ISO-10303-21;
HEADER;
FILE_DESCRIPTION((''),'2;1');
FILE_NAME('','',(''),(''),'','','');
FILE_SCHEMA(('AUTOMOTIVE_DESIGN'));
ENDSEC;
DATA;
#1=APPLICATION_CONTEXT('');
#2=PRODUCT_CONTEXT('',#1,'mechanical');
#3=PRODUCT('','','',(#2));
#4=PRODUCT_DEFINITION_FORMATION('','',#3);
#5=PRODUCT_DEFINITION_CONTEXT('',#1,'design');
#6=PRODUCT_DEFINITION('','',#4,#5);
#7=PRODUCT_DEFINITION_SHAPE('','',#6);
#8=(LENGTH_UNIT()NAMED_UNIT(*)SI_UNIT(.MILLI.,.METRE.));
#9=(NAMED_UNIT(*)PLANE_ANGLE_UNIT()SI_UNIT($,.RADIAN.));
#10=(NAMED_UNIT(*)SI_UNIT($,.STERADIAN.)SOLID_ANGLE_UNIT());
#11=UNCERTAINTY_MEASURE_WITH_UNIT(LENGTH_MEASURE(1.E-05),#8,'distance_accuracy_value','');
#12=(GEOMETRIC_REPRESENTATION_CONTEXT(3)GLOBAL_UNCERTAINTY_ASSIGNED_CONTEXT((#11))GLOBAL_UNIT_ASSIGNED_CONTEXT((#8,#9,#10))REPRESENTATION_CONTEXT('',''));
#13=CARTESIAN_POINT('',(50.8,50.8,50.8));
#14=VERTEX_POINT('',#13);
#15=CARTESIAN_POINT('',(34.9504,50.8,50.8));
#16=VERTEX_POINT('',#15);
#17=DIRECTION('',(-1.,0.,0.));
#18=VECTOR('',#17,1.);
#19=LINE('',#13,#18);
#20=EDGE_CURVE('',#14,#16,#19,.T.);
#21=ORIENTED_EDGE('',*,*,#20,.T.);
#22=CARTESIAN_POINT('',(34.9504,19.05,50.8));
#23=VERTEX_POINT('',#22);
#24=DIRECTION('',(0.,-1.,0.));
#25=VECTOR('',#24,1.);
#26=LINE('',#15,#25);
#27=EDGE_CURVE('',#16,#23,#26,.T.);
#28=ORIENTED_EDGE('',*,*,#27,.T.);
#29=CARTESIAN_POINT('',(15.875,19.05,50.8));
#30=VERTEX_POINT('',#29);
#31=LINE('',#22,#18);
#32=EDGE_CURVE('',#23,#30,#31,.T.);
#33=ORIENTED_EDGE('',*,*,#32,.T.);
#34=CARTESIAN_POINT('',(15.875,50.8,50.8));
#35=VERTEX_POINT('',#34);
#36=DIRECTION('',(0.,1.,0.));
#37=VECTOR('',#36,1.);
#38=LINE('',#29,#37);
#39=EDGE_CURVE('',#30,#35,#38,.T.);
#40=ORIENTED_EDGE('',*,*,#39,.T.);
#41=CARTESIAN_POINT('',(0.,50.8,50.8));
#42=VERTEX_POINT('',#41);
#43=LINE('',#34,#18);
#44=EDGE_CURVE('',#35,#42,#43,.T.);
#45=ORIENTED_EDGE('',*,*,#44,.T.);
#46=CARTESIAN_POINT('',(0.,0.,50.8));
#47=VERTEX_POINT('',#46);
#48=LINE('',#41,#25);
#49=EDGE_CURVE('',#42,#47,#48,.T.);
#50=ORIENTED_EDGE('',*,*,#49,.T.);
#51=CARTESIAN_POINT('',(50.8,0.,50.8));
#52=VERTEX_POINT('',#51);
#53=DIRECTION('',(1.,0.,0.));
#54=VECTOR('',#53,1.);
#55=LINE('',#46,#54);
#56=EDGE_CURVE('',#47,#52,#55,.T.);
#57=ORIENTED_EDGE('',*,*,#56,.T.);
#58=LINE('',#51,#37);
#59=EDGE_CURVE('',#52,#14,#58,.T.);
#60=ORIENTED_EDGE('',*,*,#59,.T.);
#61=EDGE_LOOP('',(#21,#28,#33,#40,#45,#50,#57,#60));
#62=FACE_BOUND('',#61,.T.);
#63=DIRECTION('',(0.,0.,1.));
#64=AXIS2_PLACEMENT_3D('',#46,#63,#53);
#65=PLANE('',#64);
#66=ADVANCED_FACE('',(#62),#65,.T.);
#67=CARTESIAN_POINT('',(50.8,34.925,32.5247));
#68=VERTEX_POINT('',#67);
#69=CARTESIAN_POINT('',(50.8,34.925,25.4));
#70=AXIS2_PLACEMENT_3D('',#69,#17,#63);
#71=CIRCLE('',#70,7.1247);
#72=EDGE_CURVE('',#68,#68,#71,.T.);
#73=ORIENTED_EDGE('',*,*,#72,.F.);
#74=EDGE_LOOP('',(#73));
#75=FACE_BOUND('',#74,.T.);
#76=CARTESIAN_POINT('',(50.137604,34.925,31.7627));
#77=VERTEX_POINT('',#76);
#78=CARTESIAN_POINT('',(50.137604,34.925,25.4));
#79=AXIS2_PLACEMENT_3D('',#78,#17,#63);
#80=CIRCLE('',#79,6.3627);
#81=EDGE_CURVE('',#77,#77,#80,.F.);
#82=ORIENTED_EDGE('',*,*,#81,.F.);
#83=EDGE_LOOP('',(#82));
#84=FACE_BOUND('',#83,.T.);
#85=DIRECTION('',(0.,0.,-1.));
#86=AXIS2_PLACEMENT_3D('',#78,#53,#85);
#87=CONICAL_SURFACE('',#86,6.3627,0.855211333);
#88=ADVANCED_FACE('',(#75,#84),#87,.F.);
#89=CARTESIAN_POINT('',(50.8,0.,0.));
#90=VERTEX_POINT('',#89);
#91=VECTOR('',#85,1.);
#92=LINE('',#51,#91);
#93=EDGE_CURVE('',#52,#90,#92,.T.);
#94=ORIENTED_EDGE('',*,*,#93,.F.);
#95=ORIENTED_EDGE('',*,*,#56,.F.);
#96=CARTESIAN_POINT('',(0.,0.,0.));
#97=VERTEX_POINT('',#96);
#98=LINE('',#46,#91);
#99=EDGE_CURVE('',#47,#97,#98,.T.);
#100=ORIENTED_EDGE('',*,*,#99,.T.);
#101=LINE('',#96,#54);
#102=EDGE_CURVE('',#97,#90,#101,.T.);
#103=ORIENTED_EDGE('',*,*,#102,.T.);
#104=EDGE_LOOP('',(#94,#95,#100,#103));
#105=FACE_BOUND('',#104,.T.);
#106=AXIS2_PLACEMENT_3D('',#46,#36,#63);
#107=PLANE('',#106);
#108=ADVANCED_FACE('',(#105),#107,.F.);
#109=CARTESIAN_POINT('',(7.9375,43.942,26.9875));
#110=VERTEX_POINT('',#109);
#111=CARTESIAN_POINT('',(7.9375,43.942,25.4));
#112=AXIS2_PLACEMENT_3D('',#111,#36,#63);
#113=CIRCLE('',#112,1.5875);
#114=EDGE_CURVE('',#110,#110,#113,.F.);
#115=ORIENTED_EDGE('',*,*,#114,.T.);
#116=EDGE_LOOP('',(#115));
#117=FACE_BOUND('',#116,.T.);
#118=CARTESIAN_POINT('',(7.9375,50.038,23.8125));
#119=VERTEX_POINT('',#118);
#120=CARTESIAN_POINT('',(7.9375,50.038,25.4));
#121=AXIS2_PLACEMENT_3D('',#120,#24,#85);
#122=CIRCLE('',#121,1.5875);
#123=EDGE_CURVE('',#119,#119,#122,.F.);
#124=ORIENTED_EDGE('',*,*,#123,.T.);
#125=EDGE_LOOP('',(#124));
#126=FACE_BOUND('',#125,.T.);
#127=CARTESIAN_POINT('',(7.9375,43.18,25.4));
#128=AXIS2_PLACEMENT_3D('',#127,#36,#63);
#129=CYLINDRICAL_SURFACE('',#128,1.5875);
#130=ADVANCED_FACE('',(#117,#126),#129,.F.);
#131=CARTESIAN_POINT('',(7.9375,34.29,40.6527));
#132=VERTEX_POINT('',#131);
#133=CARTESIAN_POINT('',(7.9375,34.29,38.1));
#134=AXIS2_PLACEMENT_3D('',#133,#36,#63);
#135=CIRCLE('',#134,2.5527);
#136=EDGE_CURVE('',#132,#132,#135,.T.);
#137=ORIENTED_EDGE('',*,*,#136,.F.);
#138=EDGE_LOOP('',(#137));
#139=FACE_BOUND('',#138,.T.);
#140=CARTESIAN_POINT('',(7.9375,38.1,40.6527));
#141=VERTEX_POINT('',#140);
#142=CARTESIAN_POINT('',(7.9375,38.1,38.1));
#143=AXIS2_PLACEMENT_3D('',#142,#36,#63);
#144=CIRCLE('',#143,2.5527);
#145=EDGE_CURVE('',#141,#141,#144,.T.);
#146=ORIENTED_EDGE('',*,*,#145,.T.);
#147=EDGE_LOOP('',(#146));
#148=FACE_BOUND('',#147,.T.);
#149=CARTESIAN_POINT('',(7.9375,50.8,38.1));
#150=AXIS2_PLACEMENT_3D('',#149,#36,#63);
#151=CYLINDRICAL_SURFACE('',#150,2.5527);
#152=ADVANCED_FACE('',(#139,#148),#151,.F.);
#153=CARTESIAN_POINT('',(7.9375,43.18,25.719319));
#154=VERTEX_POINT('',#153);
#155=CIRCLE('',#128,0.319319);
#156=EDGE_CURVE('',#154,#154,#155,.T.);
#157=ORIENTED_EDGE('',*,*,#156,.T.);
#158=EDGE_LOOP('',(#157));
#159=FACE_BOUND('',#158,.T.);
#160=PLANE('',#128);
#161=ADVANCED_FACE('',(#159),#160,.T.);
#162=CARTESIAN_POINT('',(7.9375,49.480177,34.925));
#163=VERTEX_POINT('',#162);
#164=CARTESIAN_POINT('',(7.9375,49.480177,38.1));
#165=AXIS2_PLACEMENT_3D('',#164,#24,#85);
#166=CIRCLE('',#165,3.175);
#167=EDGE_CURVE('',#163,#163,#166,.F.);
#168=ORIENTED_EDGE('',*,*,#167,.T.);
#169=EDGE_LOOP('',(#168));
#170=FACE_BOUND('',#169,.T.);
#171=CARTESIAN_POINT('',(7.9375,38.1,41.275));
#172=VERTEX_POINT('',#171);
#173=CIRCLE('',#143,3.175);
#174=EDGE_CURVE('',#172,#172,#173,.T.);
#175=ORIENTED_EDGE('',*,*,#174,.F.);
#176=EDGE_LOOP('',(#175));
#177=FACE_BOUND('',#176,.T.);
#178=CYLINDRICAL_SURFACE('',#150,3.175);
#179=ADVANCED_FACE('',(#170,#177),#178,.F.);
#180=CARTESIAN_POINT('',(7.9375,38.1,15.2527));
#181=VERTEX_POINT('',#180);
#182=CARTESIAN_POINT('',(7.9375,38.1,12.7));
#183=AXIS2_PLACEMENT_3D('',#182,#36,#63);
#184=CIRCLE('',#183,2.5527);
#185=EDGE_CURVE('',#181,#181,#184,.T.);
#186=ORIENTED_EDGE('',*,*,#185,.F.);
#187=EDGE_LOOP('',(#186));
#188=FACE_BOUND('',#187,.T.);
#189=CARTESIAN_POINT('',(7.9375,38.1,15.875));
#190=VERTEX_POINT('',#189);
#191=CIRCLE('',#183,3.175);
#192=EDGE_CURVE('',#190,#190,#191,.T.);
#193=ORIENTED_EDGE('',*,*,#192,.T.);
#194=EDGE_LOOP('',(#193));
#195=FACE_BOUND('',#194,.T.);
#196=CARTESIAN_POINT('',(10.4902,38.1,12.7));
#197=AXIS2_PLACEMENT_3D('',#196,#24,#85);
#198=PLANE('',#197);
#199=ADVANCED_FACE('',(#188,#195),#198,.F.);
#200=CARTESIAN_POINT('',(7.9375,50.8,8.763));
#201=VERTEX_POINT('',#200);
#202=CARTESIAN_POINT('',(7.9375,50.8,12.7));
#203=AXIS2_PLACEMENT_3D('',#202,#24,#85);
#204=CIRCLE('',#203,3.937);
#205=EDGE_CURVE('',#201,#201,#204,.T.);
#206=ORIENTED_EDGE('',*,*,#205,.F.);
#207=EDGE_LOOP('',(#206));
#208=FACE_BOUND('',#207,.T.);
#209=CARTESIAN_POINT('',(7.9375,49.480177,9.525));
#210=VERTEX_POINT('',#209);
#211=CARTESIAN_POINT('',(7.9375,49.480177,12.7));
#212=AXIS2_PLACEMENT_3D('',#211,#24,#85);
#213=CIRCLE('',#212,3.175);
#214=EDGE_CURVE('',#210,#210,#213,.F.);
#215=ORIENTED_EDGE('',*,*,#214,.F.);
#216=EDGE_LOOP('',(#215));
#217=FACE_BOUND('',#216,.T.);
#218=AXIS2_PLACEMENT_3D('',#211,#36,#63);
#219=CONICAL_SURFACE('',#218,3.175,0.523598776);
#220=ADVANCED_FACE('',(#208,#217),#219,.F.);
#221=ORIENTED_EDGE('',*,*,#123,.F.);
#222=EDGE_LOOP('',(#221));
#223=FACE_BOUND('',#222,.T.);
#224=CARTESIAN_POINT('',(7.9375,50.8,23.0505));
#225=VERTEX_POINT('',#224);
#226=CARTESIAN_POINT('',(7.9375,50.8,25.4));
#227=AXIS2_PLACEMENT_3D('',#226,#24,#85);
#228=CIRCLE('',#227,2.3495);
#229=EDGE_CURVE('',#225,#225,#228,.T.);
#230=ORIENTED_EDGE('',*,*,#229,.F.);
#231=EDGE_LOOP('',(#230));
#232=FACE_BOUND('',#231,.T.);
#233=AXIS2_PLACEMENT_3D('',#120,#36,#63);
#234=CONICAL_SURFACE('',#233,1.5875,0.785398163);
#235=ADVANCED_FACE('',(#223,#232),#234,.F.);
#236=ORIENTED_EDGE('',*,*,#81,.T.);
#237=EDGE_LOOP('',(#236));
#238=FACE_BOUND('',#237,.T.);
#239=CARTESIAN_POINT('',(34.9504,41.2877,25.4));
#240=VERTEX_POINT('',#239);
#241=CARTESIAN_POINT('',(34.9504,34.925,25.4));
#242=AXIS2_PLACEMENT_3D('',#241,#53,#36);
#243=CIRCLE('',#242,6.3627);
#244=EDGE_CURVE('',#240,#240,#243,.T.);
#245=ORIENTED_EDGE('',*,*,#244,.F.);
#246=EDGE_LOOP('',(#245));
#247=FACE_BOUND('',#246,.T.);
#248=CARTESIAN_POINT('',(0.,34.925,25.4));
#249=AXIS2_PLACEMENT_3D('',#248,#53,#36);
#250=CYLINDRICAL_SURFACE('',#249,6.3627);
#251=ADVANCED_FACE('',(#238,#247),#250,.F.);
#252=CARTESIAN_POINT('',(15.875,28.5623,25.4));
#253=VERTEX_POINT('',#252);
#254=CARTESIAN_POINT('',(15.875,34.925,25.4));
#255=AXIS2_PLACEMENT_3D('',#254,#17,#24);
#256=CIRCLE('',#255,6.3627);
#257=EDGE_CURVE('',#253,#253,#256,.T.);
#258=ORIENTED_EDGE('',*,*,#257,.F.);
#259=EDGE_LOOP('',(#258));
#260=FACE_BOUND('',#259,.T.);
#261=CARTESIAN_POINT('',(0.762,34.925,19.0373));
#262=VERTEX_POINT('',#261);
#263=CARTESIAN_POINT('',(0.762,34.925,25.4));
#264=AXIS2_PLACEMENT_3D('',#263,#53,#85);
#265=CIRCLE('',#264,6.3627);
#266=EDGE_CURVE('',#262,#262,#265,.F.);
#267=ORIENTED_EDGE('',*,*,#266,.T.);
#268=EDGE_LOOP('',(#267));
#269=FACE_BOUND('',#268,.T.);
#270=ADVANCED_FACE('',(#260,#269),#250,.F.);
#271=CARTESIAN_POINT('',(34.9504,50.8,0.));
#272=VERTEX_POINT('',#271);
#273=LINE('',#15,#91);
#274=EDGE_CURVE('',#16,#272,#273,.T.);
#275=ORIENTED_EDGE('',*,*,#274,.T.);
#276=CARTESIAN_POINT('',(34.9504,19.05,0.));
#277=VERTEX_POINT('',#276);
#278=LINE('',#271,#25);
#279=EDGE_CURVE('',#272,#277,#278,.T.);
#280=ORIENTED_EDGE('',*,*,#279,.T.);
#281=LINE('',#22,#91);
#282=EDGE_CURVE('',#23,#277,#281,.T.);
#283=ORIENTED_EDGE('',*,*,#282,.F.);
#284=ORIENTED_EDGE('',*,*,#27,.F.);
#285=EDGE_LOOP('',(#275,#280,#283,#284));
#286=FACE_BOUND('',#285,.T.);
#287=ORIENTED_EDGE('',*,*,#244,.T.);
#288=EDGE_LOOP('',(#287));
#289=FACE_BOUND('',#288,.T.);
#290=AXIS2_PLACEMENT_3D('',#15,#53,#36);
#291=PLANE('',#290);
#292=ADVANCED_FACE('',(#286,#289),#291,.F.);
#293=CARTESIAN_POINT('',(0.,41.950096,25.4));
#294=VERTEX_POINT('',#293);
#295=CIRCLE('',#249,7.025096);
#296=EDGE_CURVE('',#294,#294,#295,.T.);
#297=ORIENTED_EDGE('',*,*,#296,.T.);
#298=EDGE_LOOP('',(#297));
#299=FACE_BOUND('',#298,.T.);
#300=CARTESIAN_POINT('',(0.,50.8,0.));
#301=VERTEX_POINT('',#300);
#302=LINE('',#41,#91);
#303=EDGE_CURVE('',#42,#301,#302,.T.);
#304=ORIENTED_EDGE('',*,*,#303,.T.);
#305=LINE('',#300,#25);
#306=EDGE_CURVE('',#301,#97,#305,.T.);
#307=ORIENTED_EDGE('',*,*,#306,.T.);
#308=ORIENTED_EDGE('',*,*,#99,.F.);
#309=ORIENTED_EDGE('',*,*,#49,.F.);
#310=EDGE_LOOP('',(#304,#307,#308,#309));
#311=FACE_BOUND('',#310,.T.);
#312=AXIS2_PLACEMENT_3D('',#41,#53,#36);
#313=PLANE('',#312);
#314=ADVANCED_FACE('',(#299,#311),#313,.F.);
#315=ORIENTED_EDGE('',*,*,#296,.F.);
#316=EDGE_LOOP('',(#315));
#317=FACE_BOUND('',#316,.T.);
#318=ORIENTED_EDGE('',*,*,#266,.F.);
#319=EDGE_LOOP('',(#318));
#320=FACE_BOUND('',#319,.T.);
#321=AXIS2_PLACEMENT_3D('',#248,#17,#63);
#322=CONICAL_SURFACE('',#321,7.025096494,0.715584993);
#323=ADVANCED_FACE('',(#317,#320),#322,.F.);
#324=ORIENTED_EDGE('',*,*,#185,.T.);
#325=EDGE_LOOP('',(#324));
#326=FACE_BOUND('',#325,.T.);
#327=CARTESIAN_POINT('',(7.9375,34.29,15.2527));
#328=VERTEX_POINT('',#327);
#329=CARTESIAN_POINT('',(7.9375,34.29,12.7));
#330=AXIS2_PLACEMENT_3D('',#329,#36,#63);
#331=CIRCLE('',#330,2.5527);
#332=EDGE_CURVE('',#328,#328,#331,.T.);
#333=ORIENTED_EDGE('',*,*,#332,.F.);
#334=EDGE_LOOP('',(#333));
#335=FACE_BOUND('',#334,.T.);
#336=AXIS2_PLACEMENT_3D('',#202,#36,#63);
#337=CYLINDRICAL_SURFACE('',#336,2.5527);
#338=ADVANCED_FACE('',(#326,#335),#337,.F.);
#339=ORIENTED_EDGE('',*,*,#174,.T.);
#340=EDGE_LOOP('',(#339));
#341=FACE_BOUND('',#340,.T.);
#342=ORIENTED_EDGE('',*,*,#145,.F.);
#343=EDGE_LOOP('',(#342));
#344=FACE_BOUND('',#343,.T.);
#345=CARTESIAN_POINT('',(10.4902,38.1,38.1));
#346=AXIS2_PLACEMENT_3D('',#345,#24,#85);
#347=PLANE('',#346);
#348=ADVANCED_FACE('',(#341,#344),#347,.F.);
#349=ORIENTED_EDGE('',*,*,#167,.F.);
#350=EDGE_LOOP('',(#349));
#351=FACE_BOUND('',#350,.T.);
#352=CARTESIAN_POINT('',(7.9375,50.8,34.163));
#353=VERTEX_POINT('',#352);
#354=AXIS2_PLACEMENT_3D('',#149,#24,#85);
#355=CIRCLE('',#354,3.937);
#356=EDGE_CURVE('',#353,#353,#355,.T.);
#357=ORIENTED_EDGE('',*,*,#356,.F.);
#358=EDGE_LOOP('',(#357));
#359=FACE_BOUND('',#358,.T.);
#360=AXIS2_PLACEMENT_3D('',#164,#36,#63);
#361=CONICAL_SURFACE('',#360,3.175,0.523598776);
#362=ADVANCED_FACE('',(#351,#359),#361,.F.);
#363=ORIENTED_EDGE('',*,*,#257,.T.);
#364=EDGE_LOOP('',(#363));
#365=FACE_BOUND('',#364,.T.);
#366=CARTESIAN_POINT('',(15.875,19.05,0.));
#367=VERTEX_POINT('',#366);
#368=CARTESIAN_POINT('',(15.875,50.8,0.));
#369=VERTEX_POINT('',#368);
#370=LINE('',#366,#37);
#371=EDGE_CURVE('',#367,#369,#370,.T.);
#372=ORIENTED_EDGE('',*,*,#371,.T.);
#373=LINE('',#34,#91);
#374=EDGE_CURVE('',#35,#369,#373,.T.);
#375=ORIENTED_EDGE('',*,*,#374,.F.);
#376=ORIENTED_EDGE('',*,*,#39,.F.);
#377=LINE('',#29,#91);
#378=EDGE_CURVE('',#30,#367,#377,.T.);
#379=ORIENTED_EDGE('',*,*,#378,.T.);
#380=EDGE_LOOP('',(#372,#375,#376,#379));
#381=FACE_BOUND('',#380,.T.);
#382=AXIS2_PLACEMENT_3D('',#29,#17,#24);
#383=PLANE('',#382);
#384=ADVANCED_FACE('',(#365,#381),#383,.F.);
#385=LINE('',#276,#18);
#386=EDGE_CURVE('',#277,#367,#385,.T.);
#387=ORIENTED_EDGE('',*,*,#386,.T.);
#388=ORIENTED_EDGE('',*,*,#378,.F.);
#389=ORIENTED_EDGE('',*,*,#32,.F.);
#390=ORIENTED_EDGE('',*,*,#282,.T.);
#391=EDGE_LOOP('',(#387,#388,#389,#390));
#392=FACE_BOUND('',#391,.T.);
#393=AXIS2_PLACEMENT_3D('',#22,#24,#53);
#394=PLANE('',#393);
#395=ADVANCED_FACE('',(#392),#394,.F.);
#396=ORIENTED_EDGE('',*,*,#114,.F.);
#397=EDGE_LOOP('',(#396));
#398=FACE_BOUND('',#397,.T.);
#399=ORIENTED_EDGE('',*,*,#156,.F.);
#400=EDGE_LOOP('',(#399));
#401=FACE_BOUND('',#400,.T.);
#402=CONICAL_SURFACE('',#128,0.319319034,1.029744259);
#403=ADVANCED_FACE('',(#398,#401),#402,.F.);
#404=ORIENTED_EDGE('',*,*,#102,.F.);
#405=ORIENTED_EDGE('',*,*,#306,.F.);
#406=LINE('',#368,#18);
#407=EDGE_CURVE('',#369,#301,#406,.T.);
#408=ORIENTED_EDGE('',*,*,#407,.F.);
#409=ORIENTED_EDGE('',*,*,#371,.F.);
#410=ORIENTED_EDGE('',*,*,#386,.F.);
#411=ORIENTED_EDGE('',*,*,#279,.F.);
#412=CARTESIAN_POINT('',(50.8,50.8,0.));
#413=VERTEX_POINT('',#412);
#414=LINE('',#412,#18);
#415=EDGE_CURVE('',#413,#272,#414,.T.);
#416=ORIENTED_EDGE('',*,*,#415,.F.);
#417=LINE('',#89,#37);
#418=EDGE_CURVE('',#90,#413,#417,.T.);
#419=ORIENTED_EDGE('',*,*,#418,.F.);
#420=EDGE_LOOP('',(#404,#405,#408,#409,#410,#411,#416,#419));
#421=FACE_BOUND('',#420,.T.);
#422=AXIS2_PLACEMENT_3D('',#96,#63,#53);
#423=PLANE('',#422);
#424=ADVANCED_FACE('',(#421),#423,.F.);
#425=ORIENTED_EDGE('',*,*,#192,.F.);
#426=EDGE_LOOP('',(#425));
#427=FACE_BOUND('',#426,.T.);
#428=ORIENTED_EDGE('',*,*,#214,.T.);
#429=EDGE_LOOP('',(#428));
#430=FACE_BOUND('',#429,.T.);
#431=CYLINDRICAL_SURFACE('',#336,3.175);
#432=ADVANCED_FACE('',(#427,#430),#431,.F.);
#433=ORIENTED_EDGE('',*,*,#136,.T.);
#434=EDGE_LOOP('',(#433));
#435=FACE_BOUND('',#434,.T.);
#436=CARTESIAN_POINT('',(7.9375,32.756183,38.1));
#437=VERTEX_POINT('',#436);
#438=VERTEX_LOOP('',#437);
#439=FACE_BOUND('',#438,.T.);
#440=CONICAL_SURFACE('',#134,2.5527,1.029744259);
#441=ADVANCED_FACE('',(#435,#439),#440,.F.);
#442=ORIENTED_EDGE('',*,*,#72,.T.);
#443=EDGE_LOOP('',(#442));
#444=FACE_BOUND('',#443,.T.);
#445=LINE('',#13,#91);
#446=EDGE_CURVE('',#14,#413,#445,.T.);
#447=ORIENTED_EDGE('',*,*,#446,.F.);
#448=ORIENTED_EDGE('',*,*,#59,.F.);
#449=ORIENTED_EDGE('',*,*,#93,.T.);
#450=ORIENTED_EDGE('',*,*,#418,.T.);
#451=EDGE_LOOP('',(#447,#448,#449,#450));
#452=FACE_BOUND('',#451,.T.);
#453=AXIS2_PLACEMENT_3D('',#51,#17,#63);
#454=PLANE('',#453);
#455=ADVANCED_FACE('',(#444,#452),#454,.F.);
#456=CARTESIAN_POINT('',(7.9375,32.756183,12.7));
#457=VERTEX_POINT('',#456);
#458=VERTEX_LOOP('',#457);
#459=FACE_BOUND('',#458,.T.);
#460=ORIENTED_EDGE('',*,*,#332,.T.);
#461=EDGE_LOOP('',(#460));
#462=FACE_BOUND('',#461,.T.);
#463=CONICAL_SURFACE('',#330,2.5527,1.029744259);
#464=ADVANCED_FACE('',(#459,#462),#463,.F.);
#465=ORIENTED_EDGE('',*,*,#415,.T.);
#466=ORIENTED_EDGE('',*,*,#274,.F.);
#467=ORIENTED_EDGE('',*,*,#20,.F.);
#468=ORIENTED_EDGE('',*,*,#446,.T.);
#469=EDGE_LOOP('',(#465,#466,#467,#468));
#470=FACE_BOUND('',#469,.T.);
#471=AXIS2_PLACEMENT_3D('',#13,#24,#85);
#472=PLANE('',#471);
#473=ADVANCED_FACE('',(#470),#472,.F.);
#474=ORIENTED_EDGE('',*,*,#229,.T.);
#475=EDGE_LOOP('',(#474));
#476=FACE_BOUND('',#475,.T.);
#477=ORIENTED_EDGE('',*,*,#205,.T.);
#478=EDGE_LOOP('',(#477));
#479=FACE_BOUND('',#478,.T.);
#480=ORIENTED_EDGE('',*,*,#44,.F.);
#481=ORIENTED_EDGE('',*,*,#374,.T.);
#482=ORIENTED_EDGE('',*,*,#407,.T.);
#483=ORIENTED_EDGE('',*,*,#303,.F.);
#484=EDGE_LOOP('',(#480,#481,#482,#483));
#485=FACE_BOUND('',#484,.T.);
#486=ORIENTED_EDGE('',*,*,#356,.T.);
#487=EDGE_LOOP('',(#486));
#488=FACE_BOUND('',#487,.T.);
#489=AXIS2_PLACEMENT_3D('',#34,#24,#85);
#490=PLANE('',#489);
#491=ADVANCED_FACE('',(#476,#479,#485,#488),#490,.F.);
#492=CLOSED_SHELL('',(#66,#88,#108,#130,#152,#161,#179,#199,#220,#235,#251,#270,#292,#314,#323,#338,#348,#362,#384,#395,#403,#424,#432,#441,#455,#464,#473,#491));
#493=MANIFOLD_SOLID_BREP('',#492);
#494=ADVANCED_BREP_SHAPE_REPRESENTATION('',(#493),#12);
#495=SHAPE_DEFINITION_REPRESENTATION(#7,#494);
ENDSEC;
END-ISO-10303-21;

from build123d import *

# Parameters (mm, degrees)
EXTRUDE1_DEPTH                    = 50.8
SKETCH3_R                         = 1.5875
CUT_EXTRUDE2_DEPTH                = 7.62
CHAMFER3_SIZE                     = 0.762
CHAMFER3_SIZE2                    = 1.268180966
CHAMFER4_SIZE                     = 0.762
SKETCH4_R                         = 6.3627
CUT_EXTRUDE3_DEPTH                = 51.8
F_1_4_20_TAPPED_HOLE1_D           = 5.1054
F_1_4_20_TAPPED_HOLE1_DEPTH       = 16.51
F_1_4_20_TAPPED_HOLE1_CBORE_D     = 6.35
F_1_4_20_TAPPED_HOLE1_CBORE_DEPTH = 12.7
F_1_4_20_TAPPED_HOLE1_TIP         = 1.533816902
CHAMFER6_SIZE                     = 0.762
CHAMFER6_SIZE2                    = 1.319822715
CHAMFER7_SIZE                     = 0.762
CHAMFER7_SIZE2                    = 0.662396494
CHAMFER7_PART_2_SIZE              = 0.762
CHAMFER7_PART_2_SIZE2             = 0.662396494


with BuildPart() as part:
    # Sketch1 → Extrude1 (new body)
    with BuildSketch(Plane.XY):
        Polygon((0, 0), (50.8, 0), (50.8, 50.8), (34.9504, 50.8), (34.9504, 19.05), (15.875, 19.05), (15.875, 50.8), (0, 50.8), align=None)
    extrude(amount=EXTRUDE1_DEPTH)

    # Sketch3 → Cut-Extrude2 (cut)
    with BuildSketch(Plane(origin=(0, 50.8, 0), x_dir=(-1, 0, 0), z_dir=(0, 1, 0))):
        with Locations(Location((-7.9375, 25.4, 0), (0, 0, 90))):  # turned: the seam where the file's is
            Circle(SKETCH3_R)
    extrude(amount=-CUT_EXTRUDE2_DEPTH, mode=Mode.SUBTRACT)

    # Chamfer3
    chamfer3_edges = [part.edges().sort_by_distance(p)[0] for p in [
        (7.9375, 43.18, 23.8125),
    ]]
    chamfer3_side = [part.faces().sort_by_distance(p)[0] for p in [
        (7.9375, 46.99, 23.8125),
    ]]
    chamfer(chamfer3_edges, length=CHAMFER3_SIZE, length2=CHAMFER3_SIZE2, reference=chamfer3_side[0])

    # Chamfer4
    chamfer4_edges = [part.edges().sort_by_distance(p)[0] for p in [
        (7.9375, 50.8, 23.8125),
    ]]
    chamfer(chamfer4_edges, length=CHAMFER4_SIZE)

    # Sketch4 → Cut-Extrude3 (cut, through all)
    with BuildSketch(Plane(origin=(50.8, 0, 0), x_dir=(0, 0, -1), z_dir=(1, 0, 0))):
        with Locations(Location((-25.4, 34.925, 0), (0, 0, 90))):  # turned: the seam where the file's is
            Circle(SKETCH4_R)
    extrude(amount=-CUT_EXTRUDE3_DEPTH, mode=Mode.SUBTRACT)

    # 1/4-20 Tapped Hole1
    with Locations(Plane(origin=(7.9375, 50.8, 12.7), x_dir=(0, 0, 1), z_dir=(0, 1, 0))):
        with Locations((0, 0), (25.4, 0)):
            CounterBoreHole(F_1_4_20_TAPPED_HOLE1_D / 2, F_1_4_20_TAPPED_HOLE1_CBORE_D / 2, F_1_4_20_TAPPED_HOLE1_CBORE_DEPTH, depth=F_1_4_20_TAPPED_HOLE1_DEPTH)
            with Locations((0, 0, -(F_1_4_20_TAPPED_HOLE1_DEPTH + F_1_4_20_TAPPED_HOLE1_TIP / 2))):  # 118° drill point
                Cone(0, F_1_4_20_TAPPED_HOLE1_D / 2, F_1_4_20_TAPPED_HOLE1_TIP, mode=Mode.SUBTRACT)

    # Chamfer6
    chamfer6_edges = [part.edges().sort_by_distance(p)[0] for p in [
        (7.9375, 50.8, 34.925),
        (7.9375, 50.8, 9.525),
    ]]
    chamfer6_side = [part.faces().sort_by_distance(p)[0] for p in [
        (15.342773016, 50.8, 25.4),
    ]]
    chamfer(chamfer6_edges, length=CHAMFER6_SIZE, length2=CHAMFER6_SIZE2, reference=chamfer6_side[0])

    # Chamfer7
    chamfer7_edges = [part.edges().sort_by_distance(p)[0] for p in [
        (0, 28.5623, 25.4),
    ]]
    chamfer7_side = [part.faces().sort_by_distance(p)[0] for p in [
        (7.9375, 28.5623, 25.4),
    ]]
    chamfer(chamfer7_edges, length=CHAMFER7_SIZE, length2=CHAMFER7_SIZE2, reference=chamfer7_side[0])

    # Chamfer7 part 2
    chamfer7_part_2_edges = [part.edges().sort_by_distance(p)[0] for p in [
        (50.8, 28.5623, 25.4),
    ]]
    chamfer7_part_2_side = [part.faces().sort_by_distance(p)[0] for p in [
        (50.8, 24.906235921, 25.4),
    ]]
    chamfer(chamfer7_part_2_edges, length=CHAMFER7_PART_2_SIZE, length2=CHAMFER7_PART_2_SIZE2, reference=chamfer7_part_2_side[0])


solid = part.part
